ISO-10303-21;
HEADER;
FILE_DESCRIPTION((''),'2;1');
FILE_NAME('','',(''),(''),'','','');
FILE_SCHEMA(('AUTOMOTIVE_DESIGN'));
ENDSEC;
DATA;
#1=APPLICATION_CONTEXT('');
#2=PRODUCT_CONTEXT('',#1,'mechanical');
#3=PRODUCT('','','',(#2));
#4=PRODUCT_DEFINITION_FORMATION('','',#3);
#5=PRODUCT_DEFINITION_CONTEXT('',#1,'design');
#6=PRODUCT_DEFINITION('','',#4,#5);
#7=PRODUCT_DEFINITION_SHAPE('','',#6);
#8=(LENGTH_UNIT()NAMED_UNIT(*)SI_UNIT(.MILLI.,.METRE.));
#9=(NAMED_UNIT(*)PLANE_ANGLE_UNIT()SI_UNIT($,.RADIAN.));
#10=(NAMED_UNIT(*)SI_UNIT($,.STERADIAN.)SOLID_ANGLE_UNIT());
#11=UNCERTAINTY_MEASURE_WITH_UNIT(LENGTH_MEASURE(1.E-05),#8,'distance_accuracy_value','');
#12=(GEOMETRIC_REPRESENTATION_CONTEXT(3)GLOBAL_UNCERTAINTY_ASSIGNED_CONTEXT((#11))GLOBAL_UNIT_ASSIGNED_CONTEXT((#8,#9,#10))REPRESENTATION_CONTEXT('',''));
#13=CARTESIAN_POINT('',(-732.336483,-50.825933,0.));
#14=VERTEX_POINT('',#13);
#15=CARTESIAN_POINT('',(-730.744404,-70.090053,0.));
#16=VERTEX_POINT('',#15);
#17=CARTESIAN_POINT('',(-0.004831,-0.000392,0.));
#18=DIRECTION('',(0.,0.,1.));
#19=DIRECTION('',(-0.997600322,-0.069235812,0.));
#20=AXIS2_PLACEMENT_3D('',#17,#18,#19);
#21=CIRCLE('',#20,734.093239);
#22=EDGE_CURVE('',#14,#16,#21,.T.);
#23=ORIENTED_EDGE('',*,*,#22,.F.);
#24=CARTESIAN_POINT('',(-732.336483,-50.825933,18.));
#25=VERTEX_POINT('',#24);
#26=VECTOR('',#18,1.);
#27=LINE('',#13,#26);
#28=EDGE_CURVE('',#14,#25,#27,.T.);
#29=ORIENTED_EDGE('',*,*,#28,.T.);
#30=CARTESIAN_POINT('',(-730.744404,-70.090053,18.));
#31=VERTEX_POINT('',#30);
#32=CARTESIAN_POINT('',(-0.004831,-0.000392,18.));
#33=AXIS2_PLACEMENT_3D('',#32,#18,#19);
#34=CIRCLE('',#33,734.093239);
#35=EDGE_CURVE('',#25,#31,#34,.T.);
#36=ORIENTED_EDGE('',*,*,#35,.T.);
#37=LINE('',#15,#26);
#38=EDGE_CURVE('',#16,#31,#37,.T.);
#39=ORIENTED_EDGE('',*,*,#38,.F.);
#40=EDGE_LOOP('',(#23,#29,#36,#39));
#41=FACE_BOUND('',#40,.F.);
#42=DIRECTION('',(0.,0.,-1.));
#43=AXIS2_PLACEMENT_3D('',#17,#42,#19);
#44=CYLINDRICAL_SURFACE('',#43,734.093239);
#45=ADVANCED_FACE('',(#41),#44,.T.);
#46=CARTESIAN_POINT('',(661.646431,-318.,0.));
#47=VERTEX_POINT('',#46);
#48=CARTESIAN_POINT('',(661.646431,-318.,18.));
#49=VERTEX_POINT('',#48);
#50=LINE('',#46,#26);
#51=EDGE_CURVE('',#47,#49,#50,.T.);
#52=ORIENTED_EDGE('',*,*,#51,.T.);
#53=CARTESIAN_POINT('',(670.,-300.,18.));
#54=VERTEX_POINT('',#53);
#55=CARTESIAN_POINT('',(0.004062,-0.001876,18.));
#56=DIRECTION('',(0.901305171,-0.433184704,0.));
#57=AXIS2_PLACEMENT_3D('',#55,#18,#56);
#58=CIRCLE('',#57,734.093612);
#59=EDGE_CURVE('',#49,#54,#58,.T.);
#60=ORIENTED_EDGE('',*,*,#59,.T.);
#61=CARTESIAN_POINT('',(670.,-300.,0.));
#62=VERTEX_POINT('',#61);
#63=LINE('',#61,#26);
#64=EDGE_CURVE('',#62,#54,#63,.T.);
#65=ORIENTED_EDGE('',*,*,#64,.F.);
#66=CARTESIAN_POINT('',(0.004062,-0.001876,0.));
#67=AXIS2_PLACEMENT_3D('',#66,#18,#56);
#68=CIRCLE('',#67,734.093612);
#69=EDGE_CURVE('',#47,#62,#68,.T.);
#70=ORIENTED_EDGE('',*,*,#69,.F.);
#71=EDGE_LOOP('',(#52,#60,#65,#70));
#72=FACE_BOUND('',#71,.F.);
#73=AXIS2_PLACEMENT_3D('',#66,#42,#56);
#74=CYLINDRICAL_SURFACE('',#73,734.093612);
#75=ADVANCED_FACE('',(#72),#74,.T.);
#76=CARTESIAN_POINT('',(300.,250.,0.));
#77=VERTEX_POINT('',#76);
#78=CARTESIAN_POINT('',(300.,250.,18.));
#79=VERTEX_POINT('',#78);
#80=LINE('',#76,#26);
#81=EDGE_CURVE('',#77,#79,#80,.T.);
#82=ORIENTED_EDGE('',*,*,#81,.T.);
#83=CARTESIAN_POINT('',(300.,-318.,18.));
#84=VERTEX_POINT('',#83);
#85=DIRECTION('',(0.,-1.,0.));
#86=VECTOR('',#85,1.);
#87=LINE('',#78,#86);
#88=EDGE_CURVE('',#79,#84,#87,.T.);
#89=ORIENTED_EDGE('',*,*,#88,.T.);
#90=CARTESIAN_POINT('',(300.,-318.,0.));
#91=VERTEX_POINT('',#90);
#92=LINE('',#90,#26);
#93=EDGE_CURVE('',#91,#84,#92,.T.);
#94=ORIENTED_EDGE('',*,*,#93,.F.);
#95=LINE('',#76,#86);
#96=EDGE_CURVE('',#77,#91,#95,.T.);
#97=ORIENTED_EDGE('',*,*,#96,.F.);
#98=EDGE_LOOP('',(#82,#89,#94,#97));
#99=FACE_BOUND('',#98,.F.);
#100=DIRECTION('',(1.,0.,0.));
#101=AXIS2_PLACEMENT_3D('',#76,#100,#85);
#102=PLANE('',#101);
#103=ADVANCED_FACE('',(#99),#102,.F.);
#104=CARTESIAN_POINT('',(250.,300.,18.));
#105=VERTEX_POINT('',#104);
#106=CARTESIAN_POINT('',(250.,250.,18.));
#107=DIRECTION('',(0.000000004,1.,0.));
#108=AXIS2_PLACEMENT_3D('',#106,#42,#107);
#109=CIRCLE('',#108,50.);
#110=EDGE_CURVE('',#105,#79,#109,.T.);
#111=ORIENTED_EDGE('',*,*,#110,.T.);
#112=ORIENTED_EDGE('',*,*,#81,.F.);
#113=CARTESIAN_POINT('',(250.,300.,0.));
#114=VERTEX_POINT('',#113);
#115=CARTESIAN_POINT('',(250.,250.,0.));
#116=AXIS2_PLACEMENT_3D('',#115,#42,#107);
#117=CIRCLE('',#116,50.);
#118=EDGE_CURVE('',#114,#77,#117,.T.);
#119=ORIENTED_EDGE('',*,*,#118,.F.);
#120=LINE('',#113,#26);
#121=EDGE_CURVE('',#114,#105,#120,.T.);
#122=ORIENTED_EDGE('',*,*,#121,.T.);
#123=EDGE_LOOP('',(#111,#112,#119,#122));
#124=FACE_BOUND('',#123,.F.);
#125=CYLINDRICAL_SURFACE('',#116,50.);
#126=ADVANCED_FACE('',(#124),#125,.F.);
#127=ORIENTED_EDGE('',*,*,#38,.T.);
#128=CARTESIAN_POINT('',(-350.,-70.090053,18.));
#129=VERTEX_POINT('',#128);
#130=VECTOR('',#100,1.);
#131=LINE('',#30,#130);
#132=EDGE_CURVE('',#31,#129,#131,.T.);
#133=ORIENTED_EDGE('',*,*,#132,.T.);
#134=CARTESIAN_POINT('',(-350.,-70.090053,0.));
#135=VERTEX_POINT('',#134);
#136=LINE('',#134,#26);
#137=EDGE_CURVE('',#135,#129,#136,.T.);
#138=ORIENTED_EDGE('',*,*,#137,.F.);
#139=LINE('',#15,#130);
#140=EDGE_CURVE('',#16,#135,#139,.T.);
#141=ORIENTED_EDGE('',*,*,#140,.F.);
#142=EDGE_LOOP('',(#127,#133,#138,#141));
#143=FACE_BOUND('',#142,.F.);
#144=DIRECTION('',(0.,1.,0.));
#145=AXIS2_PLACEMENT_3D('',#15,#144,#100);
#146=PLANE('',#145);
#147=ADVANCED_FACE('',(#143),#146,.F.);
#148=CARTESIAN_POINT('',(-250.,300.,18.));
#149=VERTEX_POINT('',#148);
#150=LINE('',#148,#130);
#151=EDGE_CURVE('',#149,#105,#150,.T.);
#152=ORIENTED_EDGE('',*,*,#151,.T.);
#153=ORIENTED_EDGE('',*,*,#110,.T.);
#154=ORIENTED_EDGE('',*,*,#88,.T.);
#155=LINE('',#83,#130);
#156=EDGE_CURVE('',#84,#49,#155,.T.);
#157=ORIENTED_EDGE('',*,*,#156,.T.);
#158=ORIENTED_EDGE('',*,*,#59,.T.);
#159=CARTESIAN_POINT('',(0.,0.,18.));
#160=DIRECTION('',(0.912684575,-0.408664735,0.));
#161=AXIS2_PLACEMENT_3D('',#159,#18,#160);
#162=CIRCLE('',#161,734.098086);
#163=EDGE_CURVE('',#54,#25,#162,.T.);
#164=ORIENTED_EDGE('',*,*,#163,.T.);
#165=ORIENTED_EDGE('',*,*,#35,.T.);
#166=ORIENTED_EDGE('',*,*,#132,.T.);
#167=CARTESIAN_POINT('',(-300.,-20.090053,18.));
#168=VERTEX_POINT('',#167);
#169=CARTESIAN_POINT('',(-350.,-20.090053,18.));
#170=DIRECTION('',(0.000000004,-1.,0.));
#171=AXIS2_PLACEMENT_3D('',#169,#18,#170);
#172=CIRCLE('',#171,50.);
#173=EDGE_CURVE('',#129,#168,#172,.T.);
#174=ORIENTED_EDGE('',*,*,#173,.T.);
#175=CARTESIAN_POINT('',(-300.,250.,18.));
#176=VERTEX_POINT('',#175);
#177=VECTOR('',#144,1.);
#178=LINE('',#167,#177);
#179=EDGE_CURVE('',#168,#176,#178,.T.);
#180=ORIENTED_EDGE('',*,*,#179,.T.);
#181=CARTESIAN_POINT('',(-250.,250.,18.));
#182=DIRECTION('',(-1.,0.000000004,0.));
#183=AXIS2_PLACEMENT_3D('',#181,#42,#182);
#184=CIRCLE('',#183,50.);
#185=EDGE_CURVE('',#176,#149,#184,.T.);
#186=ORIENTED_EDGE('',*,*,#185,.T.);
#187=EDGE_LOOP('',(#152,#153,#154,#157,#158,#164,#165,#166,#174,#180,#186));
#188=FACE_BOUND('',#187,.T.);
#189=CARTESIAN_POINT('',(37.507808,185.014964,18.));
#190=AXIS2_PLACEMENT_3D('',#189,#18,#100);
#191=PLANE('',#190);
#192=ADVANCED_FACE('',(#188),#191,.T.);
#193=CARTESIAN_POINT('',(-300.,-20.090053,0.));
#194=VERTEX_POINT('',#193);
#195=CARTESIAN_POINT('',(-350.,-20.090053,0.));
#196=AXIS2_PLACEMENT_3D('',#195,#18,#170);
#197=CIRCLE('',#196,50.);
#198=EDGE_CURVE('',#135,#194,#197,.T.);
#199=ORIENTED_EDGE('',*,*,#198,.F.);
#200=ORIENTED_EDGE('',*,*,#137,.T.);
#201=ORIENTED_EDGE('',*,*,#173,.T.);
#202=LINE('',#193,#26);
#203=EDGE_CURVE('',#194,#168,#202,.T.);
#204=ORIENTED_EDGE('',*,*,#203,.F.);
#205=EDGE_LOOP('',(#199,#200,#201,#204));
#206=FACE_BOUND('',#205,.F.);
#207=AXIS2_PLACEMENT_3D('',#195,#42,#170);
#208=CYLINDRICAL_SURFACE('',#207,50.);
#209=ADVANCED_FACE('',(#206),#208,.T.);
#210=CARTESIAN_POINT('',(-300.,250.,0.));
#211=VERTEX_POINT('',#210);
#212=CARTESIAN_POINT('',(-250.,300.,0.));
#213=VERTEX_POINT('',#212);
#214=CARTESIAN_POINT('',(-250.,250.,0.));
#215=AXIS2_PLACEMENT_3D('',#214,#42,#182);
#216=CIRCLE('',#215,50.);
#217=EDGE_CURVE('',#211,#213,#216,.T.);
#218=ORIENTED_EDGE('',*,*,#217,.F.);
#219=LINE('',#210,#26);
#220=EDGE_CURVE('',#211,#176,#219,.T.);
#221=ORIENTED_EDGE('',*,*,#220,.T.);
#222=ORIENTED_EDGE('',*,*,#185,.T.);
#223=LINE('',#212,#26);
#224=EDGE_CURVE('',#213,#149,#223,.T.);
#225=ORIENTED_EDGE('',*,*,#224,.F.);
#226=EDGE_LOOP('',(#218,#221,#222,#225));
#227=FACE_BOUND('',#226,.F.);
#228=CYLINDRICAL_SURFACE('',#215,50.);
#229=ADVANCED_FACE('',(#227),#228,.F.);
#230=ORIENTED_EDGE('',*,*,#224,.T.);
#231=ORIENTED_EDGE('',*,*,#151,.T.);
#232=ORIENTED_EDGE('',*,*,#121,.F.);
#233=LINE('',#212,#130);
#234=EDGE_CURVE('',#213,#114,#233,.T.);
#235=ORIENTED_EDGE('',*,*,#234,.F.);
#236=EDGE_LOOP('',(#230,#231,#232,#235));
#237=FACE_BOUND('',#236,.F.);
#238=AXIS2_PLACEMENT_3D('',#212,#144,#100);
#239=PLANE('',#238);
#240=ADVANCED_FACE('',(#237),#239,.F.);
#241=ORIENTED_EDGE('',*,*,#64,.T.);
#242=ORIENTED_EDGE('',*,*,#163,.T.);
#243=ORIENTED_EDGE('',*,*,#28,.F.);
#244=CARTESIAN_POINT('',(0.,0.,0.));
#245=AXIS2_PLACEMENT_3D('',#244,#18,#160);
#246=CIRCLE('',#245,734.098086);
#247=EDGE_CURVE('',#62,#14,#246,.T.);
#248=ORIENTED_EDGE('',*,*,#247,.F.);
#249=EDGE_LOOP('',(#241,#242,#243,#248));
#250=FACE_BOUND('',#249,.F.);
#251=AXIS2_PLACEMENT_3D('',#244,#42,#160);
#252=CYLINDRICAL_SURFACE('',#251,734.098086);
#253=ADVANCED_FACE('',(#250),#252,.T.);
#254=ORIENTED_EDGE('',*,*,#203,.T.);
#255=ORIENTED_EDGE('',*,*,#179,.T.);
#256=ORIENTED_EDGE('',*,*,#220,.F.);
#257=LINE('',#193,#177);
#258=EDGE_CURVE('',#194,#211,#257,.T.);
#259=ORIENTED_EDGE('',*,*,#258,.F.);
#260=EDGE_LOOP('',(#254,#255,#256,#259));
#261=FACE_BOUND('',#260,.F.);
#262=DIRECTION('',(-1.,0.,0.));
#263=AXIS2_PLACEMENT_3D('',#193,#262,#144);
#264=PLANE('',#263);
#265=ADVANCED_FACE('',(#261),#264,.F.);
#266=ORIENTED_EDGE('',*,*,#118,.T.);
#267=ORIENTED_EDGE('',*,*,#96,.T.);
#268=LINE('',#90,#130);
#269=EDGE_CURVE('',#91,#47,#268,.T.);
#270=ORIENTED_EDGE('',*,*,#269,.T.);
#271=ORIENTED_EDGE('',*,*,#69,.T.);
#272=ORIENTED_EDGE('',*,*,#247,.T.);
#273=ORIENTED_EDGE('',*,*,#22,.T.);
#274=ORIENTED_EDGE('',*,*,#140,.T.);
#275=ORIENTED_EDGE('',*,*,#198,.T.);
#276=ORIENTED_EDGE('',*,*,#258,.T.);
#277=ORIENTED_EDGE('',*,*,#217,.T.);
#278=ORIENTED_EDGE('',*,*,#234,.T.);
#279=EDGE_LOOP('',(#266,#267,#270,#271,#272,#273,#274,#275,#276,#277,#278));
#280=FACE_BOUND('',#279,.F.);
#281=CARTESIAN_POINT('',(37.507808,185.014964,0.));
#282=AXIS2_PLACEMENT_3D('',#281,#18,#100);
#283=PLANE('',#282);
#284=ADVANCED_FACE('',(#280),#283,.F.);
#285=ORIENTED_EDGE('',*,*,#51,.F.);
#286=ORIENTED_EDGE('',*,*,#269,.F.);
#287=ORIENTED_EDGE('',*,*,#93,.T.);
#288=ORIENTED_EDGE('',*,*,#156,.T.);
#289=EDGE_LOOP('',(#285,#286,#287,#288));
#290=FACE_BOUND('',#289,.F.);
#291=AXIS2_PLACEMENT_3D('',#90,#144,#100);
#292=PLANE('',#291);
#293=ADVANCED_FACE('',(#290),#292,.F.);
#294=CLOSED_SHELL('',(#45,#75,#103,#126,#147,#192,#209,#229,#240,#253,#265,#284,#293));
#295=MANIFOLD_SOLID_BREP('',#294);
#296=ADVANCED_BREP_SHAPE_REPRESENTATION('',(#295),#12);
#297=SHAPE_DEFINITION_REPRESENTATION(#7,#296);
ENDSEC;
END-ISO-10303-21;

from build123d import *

# Parameters (mm, degrees)
F1_DEPTH = 18


with BuildPart() as f1:
    # F0 (on Top) → F1 (new body)
    with BuildSketch(Plane.XY):
        with BuildLine():
            ThreePointArc((-300, 250), (-285.355339, 285.355339), (-250, 300))
            Line((-250, 300), (250, 300))
            ThreePointArc((250, 300), (285.355339, 285.355339), (300, 250))
            Line((300, 250), (300, -300))
            Line((300, -300), (300, -318))
            Line((300, -318), (661.646431, -318))
            ThreePointArc((661.646431, -318), (665.88404, -309.028228), (670, -300))
            ThreePointArc((670, -300), (128.426587, 722.777014), (-732.336483, -50.825933))
            ThreePointArc((-732.336483, -50.825933), (-731.603853, -60.463233), (-730.744404, -70.090053))
            Line((-730.744404, -70.090053), (-350, -70.090053))
            ThreePointArc((-350, -70.090053), (-314.644661, -55.445392), (-300, -20.090053))
            Line((-300, -20.090053), (-300, -2.090053))
            Line((-300, -2.090053), (-300, 250))
        make_face()
    extrude(amount=F1_DEPTH)


solid = f1.part
